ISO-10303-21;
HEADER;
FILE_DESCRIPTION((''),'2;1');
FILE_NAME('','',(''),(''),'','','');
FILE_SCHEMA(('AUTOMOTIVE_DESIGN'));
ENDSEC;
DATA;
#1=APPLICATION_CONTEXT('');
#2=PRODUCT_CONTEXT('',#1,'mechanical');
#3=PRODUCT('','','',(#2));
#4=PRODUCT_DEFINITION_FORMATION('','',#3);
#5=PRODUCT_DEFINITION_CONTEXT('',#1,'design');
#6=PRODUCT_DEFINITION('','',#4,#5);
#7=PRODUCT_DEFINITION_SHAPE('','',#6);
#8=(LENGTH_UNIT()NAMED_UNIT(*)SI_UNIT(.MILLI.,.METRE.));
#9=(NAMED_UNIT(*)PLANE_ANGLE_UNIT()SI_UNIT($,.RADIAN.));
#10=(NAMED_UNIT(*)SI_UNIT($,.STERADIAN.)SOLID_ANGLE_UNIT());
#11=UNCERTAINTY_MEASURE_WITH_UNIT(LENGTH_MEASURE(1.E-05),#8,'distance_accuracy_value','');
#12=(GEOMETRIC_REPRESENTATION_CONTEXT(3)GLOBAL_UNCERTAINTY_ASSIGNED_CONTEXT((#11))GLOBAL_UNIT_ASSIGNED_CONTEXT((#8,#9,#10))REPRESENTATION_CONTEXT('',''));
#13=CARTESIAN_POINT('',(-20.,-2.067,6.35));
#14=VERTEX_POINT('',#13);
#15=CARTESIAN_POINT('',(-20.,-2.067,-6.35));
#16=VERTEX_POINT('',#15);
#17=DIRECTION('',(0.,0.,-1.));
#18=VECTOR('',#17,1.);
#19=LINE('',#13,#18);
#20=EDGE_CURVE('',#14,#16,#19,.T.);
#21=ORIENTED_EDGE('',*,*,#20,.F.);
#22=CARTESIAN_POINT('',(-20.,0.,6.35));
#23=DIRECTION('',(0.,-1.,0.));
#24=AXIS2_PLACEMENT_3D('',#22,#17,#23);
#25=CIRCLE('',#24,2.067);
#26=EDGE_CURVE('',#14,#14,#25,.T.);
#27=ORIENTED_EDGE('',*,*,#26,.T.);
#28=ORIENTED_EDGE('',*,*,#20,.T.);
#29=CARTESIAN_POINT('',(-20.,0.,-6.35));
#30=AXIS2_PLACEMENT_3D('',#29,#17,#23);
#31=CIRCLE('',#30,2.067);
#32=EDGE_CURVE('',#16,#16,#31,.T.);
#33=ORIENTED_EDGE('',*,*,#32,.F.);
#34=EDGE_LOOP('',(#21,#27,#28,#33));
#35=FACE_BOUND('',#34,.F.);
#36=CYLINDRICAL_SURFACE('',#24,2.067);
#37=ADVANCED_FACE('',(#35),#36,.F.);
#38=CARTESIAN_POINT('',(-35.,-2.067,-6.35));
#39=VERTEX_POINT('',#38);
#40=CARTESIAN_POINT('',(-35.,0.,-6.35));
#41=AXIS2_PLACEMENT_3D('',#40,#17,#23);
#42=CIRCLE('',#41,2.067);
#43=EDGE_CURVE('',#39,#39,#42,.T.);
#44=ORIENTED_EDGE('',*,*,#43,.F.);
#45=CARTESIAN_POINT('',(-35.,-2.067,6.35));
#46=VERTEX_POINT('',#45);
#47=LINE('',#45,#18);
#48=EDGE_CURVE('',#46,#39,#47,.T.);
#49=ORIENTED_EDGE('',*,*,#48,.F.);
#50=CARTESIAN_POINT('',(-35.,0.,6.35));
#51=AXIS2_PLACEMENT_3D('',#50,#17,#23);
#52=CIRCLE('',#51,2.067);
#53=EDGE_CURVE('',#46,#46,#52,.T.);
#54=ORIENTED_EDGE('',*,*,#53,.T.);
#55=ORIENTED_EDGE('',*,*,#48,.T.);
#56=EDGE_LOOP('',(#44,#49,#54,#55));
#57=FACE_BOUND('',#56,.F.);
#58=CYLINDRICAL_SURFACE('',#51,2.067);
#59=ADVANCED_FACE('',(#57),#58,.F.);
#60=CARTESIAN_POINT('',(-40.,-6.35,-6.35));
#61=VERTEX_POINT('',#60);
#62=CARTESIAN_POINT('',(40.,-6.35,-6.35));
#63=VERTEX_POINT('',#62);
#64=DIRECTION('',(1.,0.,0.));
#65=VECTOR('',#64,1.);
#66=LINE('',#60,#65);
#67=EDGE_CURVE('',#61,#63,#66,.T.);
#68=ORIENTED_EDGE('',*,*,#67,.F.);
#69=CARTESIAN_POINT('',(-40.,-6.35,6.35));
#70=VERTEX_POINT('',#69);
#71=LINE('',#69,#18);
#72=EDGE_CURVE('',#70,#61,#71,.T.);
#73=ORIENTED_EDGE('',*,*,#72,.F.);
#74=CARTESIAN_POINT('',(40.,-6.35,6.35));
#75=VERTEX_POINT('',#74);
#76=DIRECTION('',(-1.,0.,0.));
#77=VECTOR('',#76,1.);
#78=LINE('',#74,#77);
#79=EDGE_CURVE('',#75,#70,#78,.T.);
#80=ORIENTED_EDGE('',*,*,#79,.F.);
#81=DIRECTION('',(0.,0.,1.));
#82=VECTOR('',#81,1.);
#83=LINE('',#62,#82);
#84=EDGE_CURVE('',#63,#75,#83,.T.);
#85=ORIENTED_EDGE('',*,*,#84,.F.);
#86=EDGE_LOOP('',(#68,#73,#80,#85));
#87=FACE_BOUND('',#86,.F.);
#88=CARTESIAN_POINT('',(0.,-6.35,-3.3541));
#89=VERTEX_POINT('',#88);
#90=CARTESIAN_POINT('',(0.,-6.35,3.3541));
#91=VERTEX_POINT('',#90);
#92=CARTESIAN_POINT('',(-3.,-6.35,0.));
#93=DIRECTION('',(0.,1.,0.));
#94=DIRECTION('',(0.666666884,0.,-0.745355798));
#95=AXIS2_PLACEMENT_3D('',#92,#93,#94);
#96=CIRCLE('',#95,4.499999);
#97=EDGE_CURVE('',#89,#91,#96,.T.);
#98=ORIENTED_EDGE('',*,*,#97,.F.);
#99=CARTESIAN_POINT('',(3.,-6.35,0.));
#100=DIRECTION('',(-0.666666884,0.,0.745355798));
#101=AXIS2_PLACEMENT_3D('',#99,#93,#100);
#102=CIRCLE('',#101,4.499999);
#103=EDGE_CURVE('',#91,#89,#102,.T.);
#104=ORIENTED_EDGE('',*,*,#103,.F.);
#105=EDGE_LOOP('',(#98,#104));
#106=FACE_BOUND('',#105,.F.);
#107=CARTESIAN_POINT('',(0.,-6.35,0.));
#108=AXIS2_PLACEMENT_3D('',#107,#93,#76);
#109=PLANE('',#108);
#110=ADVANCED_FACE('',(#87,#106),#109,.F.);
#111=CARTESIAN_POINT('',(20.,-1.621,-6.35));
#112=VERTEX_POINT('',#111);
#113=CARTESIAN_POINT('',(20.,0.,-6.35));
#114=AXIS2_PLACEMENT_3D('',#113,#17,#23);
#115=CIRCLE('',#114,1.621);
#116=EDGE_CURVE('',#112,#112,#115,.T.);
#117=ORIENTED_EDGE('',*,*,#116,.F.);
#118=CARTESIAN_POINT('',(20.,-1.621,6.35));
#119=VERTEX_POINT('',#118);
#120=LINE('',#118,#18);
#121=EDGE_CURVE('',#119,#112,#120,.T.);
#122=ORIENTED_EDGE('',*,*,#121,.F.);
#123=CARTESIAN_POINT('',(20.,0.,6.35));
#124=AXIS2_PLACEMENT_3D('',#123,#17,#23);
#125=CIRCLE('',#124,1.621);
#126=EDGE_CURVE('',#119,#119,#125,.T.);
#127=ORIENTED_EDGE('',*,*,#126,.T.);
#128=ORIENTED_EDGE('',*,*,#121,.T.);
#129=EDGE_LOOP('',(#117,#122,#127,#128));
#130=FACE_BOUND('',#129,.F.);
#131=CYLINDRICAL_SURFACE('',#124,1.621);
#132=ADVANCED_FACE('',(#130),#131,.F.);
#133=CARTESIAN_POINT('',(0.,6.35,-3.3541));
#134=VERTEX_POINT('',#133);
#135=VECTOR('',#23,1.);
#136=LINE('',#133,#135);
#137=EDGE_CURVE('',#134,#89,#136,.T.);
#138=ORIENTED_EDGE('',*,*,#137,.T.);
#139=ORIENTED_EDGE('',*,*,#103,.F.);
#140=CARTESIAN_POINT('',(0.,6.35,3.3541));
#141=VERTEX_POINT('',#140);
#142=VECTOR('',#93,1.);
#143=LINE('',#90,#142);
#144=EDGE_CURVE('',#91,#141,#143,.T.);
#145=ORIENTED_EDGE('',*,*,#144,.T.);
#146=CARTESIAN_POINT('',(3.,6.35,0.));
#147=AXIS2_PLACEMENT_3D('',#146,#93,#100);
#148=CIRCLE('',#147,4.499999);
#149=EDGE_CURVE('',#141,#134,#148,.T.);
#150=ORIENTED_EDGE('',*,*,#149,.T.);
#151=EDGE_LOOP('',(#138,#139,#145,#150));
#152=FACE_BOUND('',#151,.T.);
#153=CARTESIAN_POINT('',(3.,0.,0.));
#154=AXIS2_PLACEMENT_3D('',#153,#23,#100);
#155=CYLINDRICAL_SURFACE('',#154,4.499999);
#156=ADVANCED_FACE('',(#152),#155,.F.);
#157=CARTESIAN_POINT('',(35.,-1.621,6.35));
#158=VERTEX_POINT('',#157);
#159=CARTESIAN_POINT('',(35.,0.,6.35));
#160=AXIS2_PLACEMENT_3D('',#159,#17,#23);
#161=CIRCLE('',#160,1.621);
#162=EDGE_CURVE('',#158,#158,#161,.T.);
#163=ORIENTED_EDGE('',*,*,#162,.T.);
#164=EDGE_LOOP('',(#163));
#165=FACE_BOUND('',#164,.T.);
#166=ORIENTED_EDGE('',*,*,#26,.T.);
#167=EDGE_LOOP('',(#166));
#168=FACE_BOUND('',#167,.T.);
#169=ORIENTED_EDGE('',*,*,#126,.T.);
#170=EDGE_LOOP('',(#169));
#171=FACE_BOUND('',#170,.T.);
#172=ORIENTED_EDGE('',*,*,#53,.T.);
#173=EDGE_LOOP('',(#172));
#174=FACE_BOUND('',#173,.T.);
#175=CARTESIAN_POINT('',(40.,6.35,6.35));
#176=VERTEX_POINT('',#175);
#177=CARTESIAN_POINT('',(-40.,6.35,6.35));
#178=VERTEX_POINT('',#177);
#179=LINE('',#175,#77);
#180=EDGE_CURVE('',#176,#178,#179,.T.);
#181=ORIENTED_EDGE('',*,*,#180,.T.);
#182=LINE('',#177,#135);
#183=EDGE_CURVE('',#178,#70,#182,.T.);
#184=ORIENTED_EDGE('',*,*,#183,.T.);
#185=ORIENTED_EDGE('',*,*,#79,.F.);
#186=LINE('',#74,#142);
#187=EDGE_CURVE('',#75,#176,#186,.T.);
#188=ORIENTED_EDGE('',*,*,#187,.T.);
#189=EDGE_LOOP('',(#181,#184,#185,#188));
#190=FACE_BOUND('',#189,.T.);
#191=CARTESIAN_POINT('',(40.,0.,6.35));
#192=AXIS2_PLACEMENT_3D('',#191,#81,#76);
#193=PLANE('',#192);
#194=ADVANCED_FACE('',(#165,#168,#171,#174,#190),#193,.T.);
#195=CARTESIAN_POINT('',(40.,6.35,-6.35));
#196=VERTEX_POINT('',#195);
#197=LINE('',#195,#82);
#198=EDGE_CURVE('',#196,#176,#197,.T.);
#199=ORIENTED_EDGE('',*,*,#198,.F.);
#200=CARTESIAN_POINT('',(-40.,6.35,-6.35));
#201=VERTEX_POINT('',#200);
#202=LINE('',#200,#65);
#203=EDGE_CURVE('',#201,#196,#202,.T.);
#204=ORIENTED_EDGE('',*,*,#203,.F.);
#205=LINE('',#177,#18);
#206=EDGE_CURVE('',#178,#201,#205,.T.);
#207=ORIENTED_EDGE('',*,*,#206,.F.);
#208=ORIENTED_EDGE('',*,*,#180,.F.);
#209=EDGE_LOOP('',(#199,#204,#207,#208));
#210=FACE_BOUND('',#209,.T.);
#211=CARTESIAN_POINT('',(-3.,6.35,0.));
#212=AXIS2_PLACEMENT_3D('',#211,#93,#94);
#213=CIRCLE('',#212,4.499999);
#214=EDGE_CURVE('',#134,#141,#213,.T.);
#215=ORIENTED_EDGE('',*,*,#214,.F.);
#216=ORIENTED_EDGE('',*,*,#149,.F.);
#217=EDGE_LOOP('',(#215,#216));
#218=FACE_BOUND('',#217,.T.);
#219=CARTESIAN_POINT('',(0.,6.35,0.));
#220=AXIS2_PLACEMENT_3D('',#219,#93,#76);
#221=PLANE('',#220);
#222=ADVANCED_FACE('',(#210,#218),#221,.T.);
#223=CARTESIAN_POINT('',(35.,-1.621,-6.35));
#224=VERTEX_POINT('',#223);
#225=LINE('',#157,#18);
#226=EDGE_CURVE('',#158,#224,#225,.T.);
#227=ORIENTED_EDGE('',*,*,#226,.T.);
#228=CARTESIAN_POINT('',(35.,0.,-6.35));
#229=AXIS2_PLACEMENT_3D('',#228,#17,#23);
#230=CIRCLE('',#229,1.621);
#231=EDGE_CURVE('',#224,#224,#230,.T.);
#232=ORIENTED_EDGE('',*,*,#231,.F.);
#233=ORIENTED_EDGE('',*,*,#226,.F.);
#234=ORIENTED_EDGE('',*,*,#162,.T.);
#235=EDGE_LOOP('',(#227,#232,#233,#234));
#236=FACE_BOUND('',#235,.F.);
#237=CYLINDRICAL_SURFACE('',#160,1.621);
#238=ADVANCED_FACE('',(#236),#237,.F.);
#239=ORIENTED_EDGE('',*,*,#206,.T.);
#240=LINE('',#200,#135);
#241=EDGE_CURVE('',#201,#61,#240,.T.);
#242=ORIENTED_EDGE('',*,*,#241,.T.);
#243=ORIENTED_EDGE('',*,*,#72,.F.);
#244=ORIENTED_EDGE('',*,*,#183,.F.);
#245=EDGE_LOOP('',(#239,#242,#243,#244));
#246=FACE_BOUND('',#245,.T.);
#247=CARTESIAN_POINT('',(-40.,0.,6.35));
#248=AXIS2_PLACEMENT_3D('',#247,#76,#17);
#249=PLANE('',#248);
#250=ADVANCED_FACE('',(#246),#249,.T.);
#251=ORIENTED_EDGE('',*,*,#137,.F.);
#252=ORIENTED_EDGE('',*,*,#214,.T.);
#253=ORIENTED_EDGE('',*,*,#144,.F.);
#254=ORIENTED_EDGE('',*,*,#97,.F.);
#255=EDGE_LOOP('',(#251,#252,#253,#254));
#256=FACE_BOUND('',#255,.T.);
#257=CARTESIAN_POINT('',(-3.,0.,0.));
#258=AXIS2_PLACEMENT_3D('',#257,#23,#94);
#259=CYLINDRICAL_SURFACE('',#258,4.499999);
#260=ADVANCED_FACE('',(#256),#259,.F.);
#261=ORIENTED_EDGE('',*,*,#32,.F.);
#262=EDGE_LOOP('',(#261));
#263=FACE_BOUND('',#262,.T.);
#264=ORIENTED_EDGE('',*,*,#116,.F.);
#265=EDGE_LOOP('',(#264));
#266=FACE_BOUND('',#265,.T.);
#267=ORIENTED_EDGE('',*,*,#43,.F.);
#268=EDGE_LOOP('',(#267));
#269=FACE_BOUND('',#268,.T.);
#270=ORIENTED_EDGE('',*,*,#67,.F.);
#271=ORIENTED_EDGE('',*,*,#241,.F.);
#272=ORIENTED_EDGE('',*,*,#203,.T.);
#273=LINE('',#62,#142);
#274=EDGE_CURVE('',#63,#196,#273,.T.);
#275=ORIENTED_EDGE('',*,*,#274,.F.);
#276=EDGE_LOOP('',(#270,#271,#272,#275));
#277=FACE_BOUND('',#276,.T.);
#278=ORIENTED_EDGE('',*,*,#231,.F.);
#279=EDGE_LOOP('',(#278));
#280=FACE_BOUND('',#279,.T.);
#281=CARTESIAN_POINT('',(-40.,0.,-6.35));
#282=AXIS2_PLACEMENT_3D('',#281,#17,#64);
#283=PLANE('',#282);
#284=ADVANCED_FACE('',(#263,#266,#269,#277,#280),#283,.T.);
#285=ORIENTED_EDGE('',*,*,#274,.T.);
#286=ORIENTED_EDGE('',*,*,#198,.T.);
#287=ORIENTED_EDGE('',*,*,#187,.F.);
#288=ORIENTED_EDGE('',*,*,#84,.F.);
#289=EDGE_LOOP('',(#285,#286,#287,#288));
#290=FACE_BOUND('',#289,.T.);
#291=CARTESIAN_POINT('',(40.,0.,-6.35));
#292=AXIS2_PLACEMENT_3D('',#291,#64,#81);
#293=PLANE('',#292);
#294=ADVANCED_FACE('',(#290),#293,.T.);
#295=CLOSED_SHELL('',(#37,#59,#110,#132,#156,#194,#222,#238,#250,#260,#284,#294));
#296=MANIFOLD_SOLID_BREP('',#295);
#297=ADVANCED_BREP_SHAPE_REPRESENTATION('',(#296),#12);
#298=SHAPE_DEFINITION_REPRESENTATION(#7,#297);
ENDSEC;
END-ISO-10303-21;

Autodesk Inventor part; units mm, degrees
ref_plane "YZ Plane" through (0, 0, 0) normal (1, 0, 0) x (0, 1, 0)
ref_plane "XZ Plane" through (0, 0, 0) normal (0, 1, 0) x (-1, 0, 0)
ref_plane "XY Plane" through (0, 0, 0) normal (0, 0, 1) x (1, 0, 0)
sketch "スケッチ1" plane through (0, 0, 0) normal (0, 1, 0) x (-1, 0, 0)
  line L0 (-40, 6.35) -> (40, 6.35)
  line L1 (40, 6.35) -> (40, -6.35)
  line L2 (40, -6.35) -> (-40, -6.35)
  line L3 (-40, -6.35) -> (-40, 6.35)
  line L4 (-40, 6.35) -> (40, -6.35) construction
  line L5 (40, 6.35) -> (-40, -6.35) construction
  arc A0 (0, 3.3541) -> (0, -3.3541) centre (-3, 0) ccw
  line L6 (-40, 0) -> (0, 0) construction
  line L7 (0, 6.35) -> (0, -6.35) construction
  arc A1 (0, -3.3541) -> (0, 3.3541) centre (3, 0) ccw
  point P0 (0, -3.3541)
  dimension "d0" = 80
  dimension "d1" = 12.7
  dimension "d2" = 9
  dimension "d3" = 3
extrude "押し出し1" add sketch "スケッチ1" along normal mid plane 12.7
sketch "スケッチ2" plane through (-40, 6.35, 6.35) normal (0, 0, 1) x (1, 0, 0)
  line L0 (80, -12.7) -> (80, 0) projected
  line L1 (80, -6.35) -> (0, -6.35) construction
  line L2 (0, -12.7) -> (0, 0) projected
  line L3 (80, 0) -> (0, 0) projected
  line L4 (40, 0) -> (40, -12.7) construction
  line L5 (80, -12.7) -> (0, -12.7) projected
  point P0 (40, -6.35)
  point P1 (75, -6.35)
  point P2 (60, -6.35)
  point P3 (20, -6.35)
  point P4 (5, -6.35)
  dimension "d6" = 15
  dimension "d7" = 15
  dimension "d8" = 40
hole "穴1" at (35, 0, 6.35) at (20, 0, 6.35) direction (0, 0, -1) diameter 3.242 end through all thread size "M4x0.7" class "6H" standard "ISO Metric profile"
hole "穴2" at (-20, 0, 6.35) at (-35, 0, 6.35) direction (0, 0, -1) diameter 4.134 end through all thread size "M5x0.8" class "6H" standard "ISO Metric profile"
properties part number "SC133-20kg"
